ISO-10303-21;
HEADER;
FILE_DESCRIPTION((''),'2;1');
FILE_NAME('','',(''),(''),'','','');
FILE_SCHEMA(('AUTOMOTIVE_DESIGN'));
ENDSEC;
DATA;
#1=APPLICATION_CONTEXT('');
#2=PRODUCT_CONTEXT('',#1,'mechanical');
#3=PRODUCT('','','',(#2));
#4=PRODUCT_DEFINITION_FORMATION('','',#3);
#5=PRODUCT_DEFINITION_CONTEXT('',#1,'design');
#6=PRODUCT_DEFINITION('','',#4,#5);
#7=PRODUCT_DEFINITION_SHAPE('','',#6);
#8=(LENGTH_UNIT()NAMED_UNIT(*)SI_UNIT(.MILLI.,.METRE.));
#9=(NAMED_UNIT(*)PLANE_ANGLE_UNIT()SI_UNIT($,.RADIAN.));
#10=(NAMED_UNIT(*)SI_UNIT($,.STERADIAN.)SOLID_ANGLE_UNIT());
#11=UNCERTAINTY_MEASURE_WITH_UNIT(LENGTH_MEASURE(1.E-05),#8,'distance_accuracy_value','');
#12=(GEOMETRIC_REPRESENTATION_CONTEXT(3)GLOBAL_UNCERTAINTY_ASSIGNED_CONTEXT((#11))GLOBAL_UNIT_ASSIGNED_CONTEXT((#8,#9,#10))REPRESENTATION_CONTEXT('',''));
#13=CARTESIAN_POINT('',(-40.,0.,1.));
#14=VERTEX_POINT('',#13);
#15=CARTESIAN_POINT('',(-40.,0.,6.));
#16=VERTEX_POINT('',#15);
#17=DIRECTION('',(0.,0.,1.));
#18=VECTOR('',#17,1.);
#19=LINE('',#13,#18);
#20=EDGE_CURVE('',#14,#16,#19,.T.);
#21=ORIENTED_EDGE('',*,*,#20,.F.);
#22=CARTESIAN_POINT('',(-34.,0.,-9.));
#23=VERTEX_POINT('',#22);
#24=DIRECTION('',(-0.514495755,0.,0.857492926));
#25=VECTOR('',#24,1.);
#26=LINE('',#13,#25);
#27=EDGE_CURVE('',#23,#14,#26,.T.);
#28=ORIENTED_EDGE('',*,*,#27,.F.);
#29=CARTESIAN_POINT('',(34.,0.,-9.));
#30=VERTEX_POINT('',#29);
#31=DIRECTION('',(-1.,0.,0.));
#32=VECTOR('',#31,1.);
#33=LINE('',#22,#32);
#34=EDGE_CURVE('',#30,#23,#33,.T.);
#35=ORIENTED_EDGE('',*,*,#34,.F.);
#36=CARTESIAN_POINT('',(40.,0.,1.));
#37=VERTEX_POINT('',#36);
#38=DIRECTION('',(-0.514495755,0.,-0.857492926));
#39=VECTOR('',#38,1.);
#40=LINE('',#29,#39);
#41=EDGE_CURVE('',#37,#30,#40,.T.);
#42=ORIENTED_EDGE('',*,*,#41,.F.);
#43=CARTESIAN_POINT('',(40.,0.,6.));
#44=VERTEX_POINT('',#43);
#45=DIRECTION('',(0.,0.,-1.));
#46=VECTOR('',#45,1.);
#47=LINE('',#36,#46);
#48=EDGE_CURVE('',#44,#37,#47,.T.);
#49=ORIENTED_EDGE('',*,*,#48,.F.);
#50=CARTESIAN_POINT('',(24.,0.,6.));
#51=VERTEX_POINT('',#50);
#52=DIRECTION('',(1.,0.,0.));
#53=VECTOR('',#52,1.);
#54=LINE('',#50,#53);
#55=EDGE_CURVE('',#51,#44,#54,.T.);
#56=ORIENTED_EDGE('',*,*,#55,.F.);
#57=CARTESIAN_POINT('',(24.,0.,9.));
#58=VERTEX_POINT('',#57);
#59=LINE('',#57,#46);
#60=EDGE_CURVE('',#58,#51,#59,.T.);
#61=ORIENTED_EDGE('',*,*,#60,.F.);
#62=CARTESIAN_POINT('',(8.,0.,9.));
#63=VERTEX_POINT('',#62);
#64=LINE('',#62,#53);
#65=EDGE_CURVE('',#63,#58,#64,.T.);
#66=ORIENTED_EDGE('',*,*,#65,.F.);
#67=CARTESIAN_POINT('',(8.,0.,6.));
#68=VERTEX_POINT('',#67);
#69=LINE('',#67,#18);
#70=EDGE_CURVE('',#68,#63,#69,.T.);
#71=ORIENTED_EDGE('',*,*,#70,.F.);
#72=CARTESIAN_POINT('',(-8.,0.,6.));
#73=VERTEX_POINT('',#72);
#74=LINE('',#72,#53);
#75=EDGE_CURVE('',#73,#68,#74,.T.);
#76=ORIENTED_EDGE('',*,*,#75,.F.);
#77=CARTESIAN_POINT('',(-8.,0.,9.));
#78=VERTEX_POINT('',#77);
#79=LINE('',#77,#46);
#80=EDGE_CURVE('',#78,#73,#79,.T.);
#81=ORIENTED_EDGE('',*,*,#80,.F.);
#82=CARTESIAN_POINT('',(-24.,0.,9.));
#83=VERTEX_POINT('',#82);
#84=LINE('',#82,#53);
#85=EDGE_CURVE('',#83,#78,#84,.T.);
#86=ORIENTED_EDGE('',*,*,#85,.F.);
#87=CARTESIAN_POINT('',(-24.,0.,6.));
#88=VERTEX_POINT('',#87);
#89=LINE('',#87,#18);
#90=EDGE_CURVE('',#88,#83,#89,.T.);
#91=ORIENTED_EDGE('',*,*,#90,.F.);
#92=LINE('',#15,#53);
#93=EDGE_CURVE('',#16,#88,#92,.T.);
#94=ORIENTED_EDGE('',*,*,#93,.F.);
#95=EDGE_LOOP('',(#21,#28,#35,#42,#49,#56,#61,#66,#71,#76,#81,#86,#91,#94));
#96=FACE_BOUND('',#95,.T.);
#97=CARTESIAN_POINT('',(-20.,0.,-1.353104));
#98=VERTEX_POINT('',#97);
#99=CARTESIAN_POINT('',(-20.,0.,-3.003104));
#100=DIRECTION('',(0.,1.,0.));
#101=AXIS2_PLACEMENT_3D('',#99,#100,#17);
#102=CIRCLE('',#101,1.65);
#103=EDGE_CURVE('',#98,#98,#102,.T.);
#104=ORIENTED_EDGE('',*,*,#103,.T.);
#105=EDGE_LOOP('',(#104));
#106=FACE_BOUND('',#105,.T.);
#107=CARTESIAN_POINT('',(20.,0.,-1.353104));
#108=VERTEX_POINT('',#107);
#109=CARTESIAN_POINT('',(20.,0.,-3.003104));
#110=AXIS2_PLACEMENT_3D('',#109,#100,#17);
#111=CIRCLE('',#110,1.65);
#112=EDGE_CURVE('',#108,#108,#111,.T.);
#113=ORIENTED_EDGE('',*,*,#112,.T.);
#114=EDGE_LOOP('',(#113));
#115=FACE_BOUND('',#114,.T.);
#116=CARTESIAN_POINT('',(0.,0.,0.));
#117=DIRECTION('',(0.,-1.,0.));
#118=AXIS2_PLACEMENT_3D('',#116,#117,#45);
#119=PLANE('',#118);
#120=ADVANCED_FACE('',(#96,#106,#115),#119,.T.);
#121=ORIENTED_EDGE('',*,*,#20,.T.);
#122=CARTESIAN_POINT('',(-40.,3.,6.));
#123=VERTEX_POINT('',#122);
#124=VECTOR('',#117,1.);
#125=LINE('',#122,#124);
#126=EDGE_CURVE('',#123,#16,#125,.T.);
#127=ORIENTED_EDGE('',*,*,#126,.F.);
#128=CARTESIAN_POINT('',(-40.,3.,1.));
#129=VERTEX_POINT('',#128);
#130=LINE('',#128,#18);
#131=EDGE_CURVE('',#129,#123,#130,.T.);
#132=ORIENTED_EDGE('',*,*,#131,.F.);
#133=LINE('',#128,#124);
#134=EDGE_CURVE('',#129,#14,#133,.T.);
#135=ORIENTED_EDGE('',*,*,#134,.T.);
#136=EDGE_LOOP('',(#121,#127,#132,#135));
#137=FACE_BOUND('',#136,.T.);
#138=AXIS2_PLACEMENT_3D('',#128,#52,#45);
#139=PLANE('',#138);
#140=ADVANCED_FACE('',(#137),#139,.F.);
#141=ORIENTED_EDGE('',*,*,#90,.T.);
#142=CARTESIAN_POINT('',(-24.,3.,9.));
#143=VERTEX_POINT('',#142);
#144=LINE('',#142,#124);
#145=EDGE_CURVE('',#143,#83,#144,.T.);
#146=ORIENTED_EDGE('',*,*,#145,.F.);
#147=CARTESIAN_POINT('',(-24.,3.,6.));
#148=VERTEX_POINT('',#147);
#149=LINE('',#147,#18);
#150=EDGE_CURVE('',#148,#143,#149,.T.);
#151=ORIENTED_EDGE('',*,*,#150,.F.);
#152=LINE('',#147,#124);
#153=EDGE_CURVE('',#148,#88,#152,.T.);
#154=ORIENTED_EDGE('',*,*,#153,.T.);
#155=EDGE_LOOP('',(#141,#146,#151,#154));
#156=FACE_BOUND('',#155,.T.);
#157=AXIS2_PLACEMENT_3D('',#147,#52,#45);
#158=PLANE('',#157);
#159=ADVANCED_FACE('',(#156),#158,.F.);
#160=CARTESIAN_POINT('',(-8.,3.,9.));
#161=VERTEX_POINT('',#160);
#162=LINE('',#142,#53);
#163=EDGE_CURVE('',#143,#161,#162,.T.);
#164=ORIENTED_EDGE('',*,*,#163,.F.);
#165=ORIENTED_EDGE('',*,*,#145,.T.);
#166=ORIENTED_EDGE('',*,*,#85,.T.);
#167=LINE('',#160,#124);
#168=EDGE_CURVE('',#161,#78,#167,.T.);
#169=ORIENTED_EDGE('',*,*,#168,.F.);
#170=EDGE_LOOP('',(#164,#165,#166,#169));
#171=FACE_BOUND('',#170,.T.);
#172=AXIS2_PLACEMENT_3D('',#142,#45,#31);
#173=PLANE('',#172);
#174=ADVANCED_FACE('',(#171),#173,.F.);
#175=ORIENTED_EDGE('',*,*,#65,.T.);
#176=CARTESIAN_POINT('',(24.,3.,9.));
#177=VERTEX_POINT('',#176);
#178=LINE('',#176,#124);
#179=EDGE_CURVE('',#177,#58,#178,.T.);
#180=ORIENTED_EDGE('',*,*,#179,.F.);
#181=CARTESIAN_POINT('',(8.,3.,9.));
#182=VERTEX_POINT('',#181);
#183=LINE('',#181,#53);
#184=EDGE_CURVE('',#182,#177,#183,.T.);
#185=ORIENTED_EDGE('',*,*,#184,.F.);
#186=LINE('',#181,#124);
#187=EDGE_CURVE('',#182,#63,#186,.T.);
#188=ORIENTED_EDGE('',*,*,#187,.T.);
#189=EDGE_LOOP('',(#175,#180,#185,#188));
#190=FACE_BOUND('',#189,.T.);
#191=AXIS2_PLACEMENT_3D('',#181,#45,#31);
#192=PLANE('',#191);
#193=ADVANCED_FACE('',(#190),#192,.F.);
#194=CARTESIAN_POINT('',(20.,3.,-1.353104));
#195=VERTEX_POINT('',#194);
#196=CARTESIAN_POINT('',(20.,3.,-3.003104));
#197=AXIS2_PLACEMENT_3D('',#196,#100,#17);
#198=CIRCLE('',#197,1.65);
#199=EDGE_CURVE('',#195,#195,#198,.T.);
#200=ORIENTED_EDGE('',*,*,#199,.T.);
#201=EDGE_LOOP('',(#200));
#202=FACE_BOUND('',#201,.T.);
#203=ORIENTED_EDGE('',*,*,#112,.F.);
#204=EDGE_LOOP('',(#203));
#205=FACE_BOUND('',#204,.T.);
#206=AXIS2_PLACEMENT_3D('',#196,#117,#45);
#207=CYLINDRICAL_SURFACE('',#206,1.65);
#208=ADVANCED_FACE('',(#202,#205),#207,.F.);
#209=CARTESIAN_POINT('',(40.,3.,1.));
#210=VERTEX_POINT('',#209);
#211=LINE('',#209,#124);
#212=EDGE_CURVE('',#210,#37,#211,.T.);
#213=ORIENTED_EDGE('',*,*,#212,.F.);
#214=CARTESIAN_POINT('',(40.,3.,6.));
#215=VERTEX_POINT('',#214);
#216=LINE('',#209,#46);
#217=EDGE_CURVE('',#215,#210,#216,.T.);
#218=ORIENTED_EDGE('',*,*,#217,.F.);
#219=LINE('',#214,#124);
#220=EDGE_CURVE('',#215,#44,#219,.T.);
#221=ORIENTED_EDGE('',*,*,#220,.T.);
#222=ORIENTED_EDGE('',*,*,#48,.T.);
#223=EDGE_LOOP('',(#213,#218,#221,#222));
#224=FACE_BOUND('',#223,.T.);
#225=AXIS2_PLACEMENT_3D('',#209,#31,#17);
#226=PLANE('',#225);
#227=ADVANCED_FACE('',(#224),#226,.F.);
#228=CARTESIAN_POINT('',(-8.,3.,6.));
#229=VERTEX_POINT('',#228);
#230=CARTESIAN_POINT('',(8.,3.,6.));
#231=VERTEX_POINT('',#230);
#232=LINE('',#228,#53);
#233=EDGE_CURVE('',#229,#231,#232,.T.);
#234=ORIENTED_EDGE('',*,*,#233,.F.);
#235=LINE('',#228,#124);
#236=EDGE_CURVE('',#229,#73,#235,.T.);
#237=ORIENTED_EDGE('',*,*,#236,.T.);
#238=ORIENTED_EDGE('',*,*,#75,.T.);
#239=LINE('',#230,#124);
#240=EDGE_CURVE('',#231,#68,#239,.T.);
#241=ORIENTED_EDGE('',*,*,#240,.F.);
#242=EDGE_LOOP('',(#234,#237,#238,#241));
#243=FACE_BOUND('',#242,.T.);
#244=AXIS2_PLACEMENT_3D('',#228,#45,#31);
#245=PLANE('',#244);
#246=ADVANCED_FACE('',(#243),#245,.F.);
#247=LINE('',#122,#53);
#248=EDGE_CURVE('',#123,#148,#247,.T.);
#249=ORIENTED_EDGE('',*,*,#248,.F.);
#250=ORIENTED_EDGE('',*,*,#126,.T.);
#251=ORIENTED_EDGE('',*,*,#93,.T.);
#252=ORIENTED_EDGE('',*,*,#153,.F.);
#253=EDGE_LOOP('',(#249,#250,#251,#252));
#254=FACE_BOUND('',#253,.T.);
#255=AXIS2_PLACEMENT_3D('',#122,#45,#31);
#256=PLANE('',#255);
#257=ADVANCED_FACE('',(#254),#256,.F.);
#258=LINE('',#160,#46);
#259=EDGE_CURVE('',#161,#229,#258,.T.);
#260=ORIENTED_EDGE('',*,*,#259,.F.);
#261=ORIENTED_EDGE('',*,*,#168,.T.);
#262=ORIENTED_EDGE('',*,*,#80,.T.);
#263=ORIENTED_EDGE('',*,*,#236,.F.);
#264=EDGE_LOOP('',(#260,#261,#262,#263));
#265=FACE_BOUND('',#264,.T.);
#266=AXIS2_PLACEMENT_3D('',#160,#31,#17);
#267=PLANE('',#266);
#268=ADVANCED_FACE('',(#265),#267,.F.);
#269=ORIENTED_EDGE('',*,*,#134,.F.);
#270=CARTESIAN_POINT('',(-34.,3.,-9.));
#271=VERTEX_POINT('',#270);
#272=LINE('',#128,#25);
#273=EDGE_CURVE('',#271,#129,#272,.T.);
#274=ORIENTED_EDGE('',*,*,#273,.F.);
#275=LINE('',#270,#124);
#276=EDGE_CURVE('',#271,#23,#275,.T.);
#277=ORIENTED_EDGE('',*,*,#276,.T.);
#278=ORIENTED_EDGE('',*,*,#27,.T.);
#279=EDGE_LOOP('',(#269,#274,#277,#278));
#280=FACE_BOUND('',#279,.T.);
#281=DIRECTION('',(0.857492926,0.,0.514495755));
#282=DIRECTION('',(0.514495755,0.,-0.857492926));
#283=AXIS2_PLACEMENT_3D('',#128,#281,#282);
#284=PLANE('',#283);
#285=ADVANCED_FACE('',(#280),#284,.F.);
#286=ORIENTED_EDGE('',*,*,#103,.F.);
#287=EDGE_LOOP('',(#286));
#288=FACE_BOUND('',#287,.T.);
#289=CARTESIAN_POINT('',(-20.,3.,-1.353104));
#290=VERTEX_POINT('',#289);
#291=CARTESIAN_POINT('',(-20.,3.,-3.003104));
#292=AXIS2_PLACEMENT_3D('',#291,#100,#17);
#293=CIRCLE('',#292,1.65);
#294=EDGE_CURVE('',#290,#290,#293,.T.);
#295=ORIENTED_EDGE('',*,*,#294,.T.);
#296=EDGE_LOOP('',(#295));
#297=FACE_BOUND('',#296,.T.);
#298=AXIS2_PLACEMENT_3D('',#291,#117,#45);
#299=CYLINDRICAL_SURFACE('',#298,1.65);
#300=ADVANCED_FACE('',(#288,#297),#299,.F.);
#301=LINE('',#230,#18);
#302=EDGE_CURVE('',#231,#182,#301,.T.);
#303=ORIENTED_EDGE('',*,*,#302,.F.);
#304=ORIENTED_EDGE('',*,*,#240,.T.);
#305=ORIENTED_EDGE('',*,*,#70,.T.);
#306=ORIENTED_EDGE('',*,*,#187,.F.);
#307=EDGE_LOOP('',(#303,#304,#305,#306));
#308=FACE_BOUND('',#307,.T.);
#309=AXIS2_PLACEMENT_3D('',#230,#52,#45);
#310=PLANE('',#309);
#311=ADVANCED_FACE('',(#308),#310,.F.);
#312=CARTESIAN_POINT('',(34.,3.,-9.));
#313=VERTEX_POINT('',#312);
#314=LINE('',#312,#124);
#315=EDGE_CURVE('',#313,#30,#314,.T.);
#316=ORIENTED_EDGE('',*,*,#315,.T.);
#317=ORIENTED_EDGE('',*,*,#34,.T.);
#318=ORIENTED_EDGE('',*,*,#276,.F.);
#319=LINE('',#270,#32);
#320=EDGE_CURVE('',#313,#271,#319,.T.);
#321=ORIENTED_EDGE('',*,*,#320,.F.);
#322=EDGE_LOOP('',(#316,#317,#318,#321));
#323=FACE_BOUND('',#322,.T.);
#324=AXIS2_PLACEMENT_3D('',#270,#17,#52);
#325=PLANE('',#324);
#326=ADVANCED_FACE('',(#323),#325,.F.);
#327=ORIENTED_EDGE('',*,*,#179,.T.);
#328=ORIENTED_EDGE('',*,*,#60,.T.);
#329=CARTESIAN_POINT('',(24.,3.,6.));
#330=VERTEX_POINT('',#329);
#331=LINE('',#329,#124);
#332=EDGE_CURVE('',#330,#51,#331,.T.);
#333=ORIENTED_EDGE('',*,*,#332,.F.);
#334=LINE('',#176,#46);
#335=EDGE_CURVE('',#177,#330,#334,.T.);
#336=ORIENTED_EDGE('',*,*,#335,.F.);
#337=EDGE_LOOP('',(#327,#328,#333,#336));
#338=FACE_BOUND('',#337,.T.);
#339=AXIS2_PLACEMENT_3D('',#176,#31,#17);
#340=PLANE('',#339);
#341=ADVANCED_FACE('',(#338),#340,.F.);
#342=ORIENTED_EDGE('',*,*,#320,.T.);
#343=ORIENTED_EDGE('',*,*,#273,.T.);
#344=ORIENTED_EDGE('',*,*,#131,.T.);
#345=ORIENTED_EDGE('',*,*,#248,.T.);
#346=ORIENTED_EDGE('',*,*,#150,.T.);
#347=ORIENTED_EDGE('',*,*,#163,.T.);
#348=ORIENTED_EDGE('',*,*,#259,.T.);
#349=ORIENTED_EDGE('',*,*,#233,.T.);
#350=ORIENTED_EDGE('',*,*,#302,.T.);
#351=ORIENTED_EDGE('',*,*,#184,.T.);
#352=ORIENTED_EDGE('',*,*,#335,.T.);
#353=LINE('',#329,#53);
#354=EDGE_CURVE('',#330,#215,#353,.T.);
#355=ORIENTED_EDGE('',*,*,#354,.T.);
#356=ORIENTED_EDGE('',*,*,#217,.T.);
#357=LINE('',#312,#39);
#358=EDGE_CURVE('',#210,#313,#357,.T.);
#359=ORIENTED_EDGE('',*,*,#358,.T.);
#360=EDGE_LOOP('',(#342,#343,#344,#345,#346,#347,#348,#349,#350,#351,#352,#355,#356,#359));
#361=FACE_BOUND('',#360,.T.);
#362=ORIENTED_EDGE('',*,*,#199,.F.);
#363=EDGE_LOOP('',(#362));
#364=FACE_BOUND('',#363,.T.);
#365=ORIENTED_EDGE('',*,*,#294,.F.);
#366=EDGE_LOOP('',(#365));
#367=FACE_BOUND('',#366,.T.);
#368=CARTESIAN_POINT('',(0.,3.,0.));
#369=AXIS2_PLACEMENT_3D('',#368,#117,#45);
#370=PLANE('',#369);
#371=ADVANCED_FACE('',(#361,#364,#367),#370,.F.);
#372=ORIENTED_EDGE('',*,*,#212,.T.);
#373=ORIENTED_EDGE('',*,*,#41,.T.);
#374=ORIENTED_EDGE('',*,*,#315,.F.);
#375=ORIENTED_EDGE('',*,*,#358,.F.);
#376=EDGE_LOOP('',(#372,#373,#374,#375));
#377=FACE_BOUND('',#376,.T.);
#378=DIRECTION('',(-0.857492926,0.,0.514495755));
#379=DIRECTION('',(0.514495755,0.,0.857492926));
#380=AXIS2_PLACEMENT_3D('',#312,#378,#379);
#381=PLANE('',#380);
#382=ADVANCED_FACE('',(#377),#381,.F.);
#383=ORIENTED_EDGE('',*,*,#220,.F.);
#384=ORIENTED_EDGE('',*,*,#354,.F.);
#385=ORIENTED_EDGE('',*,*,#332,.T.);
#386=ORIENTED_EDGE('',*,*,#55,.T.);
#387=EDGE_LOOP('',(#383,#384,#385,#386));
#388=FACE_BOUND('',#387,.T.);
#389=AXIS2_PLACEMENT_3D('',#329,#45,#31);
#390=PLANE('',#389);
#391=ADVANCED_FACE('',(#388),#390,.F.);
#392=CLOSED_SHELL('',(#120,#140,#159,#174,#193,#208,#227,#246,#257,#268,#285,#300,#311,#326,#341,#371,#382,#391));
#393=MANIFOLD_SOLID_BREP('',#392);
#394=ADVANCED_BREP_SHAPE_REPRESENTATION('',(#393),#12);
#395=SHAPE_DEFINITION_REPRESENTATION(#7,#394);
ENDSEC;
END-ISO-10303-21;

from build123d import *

# Parameters (mm, degrees)
SKETCH1_R           = 1.65
BOSS_EXTRUDE1_DEPTH = 3


with BuildPart() as part:
    # Sketch1 → Boss-Extrude1 (new body)
    with BuildSketch(Plane(origin=(0, 0, 0), x_dir=(1, 0, 0), z_dir=(0, 1, 0))):
        Polygon((-40, -1), (-34, 9), (34, 9), (40, -1), (40, -6), (24, -6), (24, -9), (8, -9), (8, -6), (-8, -6), (-8, -9), (-24, -9), (-24, -6), (-40, -6), align=None)
        with Locations((-20, 3.003103662)):
            Circle(SKETCH1_R, mode=Mode.SUBTRACT)
        with Locations((20, 3.003103662)):
            Circle(SKETCH1_R, mode=Mode.SUBTRACT)
    extrude(amount=BOSS_EXTRUDE1_DEPTH)


solid = part.part
